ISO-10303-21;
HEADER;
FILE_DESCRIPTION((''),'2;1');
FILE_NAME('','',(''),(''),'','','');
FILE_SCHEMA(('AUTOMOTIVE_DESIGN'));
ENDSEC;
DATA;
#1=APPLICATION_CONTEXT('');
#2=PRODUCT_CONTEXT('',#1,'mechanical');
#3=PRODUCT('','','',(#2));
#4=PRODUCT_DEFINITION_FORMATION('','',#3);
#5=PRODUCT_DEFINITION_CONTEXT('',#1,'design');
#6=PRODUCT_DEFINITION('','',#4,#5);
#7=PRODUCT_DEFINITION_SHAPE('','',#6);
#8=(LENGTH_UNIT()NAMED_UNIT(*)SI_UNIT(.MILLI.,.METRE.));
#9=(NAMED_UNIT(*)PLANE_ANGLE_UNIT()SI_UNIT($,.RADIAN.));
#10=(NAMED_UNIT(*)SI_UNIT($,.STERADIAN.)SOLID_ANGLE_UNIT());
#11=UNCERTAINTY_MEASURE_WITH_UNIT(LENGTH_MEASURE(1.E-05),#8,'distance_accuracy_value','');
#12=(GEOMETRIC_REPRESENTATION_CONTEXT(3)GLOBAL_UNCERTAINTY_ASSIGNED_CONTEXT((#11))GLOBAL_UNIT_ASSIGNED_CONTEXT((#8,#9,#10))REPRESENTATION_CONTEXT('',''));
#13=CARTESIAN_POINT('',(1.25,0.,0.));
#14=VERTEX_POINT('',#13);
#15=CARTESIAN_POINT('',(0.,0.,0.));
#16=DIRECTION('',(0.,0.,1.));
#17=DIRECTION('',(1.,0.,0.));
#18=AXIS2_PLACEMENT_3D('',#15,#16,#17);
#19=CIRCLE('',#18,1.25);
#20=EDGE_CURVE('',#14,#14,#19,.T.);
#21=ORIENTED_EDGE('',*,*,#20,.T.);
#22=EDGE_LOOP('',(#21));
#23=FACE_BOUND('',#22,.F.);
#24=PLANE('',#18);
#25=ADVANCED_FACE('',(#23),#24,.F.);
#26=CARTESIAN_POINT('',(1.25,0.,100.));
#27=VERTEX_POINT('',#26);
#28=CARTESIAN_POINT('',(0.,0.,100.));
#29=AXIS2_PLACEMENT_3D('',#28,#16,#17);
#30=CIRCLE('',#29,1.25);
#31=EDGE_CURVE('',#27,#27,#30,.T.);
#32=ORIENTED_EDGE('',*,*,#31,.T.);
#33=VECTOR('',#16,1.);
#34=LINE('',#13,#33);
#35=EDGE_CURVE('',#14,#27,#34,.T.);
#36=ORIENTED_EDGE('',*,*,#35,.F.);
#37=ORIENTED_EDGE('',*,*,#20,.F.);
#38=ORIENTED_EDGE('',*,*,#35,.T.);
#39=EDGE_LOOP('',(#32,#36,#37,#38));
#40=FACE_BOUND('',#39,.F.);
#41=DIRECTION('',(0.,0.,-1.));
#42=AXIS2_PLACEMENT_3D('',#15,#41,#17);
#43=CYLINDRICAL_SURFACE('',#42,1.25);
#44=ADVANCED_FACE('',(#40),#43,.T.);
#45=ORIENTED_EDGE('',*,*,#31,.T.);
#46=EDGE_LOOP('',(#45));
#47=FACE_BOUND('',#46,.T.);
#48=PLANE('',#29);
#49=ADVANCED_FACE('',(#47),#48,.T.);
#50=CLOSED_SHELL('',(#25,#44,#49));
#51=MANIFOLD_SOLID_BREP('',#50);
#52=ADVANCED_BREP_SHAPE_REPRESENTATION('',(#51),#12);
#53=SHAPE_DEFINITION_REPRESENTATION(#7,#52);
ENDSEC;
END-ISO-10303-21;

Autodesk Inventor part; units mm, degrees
ref_plane "YZ Plane" through (0, 0, 0) normal (1, 0, 0) x (0, 1, 0)
ref_plane "XZ Plane" through (0, 0, 0) normal (0, 1, 0) x (-1, 0, 0)
ref_plane "XY Plane" through (0, 0, 0) normal (0, 0, 1) x (1, 0, 0)
sketch "Skizze1" plane through (0, 0, 0) normal (0, 0, 1) x (1, 0, 0)
  circle A0 centre (0, 0) radius 1.25
  dimension "d0" = 2.5
extrude "Extrusion1" add sketch "Skizze1" along normal blind 100
thread "Gewinde2" size "M2.5x0.45" class "6g" standard "ANSI Metric M Profile" full length
properties part number "Ball-Joint-Rod"
